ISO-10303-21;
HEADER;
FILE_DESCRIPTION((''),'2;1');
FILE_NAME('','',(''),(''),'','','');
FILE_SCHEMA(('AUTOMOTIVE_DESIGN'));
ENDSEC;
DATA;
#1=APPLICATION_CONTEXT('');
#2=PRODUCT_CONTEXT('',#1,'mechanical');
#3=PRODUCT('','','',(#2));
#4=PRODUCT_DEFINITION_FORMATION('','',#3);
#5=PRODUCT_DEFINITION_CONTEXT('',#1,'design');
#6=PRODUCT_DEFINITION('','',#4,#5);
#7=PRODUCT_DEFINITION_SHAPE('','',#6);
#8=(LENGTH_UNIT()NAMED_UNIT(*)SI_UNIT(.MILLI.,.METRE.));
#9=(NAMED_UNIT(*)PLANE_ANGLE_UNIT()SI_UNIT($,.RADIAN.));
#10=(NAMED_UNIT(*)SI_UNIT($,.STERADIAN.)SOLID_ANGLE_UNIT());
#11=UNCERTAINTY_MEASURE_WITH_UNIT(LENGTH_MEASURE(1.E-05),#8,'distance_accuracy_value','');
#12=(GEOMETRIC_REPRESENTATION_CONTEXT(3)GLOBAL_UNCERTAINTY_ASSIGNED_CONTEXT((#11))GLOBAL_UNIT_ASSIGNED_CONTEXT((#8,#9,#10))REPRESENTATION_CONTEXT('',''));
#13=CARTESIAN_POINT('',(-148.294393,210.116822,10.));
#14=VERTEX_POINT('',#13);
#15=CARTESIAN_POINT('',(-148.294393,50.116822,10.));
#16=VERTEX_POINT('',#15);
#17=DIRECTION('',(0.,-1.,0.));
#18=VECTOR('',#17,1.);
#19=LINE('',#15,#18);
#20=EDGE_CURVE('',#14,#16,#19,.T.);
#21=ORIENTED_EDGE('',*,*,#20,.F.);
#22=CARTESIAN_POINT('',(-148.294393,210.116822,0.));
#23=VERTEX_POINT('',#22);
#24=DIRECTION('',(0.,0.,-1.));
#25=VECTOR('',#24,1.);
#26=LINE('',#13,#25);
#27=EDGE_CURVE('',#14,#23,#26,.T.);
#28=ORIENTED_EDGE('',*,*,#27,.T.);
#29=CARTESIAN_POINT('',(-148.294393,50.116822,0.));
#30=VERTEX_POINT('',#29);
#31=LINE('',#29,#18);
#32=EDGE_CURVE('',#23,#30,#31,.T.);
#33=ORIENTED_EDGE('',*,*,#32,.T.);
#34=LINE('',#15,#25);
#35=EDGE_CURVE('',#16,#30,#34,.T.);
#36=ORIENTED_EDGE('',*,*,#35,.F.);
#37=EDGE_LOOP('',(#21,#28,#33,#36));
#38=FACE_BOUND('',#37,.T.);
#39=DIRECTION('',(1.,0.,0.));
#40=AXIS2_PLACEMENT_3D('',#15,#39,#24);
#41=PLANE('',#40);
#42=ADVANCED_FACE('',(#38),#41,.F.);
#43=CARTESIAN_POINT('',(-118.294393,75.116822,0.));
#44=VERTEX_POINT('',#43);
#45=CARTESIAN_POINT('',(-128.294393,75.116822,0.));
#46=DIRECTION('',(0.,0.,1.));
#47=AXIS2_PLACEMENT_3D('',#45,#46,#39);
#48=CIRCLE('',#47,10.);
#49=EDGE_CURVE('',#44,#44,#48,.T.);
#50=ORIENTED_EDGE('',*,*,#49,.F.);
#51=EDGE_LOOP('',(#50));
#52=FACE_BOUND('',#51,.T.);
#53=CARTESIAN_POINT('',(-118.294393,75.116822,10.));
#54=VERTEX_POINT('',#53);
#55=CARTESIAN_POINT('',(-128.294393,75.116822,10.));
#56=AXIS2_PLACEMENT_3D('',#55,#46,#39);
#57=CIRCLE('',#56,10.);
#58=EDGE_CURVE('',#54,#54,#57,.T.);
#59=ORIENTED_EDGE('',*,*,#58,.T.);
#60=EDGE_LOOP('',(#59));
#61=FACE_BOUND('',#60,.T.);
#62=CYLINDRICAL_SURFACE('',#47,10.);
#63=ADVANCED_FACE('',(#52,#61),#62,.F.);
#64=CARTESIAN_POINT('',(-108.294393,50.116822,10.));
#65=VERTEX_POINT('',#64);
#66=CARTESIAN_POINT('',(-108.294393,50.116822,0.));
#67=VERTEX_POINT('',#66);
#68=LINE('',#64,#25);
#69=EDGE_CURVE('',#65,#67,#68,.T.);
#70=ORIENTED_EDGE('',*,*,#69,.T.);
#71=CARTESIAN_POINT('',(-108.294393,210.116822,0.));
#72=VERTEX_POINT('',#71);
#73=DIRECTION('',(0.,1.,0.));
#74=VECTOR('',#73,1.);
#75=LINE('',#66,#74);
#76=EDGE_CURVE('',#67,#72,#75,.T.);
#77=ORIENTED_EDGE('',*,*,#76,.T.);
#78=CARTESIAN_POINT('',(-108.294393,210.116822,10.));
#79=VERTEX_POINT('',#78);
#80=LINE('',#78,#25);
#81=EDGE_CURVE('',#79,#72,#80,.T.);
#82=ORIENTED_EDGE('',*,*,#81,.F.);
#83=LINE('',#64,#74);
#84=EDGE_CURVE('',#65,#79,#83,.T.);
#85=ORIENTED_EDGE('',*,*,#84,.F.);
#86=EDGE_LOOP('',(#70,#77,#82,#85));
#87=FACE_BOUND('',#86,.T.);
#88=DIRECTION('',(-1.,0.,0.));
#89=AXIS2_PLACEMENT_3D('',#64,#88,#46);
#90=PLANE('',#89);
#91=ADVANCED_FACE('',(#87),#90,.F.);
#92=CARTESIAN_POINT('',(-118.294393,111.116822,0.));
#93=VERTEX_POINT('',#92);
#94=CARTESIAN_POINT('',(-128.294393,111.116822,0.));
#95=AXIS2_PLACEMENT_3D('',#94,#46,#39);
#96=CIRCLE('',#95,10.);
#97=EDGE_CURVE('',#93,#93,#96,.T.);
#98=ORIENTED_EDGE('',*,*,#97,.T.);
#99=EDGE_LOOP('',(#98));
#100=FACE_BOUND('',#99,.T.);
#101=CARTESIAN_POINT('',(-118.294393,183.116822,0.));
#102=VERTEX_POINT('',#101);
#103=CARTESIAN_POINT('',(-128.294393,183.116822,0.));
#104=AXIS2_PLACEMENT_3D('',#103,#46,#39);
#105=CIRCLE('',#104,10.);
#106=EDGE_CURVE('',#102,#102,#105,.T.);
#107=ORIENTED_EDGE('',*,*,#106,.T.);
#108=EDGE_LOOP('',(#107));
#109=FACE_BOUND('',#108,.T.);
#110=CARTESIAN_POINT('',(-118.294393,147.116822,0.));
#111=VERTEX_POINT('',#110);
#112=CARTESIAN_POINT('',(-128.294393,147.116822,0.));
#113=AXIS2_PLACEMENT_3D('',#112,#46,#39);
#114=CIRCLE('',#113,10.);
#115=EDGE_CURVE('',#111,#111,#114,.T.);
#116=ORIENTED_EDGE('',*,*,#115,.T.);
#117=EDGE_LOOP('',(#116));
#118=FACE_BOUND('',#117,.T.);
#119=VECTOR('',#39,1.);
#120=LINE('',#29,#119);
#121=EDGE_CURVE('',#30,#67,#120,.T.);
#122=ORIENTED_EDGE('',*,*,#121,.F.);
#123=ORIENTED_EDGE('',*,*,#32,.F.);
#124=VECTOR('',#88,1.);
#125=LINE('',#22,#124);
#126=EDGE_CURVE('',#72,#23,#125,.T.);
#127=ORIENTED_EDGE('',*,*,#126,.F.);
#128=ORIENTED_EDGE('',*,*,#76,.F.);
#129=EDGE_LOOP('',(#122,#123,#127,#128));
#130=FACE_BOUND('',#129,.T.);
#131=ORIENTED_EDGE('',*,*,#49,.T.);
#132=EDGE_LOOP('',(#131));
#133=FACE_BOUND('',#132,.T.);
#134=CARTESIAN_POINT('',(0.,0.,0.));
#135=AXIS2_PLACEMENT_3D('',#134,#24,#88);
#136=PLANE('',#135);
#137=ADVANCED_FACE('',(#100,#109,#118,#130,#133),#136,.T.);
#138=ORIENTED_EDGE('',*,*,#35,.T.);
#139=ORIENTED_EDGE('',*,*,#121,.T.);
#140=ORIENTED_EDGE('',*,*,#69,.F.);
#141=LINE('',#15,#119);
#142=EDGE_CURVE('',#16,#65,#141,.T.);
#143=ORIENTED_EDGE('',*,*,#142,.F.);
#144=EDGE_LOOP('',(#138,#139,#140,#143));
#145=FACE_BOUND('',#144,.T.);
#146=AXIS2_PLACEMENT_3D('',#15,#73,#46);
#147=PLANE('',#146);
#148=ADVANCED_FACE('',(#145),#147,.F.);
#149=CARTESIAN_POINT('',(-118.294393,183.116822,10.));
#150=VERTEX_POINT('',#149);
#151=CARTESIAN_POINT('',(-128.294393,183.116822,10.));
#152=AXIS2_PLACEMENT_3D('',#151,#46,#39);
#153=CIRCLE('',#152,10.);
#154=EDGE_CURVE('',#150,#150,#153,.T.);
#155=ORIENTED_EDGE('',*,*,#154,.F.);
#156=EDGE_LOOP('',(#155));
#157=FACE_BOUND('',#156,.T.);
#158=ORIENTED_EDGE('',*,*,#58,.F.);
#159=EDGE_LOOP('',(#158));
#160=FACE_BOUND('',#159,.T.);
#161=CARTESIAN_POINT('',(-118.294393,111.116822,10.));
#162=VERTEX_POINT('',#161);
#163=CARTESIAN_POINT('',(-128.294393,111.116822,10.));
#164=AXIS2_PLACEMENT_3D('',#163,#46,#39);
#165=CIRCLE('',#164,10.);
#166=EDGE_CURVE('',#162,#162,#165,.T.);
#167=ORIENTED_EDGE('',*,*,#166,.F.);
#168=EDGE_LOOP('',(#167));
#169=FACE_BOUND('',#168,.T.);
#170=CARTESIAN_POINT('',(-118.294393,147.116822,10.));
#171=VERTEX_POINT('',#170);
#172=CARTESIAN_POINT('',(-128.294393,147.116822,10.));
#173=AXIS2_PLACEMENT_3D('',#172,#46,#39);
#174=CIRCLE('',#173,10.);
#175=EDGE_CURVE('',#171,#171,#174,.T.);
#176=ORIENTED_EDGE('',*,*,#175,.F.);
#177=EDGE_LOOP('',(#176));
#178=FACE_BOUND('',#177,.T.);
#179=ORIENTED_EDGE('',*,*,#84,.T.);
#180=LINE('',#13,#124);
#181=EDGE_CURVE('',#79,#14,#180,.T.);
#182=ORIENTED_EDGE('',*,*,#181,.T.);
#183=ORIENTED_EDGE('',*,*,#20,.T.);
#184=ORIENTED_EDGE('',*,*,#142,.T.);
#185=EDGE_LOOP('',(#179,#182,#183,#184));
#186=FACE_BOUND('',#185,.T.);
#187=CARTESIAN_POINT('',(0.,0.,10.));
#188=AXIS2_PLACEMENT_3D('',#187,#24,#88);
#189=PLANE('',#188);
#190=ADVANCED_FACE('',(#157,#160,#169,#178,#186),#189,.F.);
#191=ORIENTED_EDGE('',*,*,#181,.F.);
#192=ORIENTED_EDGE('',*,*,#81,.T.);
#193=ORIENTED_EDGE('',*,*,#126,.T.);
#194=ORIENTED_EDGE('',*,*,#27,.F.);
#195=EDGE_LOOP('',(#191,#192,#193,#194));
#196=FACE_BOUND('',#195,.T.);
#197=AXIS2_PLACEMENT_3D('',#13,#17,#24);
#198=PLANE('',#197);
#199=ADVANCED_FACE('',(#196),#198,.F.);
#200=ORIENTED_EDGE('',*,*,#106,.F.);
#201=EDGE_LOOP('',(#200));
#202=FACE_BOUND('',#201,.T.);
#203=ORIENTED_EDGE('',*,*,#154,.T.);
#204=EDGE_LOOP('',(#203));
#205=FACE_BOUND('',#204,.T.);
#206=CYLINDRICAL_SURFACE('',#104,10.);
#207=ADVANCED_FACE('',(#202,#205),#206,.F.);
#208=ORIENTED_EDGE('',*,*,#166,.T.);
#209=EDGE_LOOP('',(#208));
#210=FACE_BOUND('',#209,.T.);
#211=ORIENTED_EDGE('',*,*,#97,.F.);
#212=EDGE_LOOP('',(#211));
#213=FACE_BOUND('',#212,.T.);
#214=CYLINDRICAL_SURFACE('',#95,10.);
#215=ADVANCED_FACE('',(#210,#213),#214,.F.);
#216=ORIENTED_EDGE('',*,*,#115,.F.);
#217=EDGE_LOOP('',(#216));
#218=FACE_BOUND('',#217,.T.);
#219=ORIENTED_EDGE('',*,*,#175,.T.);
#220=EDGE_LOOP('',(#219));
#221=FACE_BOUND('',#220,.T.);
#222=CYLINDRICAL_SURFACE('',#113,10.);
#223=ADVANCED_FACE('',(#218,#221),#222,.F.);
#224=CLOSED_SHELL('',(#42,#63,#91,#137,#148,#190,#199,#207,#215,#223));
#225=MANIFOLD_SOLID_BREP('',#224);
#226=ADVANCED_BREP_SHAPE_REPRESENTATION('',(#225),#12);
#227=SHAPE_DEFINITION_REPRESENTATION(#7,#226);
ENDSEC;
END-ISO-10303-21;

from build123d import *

# Parameters (mm, degrees)
SKETCH1_W           = 40
SKETCH1_H           = 160
BOSS_EXTRUDE1_DEPTH = 10
SKETCH2_R           = 10
CUT_EXTRUDE1_DEPTH  = 11
LPATTERN1_COUNT     = 4
LPATTERN1_PITCH     = 36


with BuildPart() as part:
    # Sketch1 → Boss-Extrude1 (new body)
    with BuildSketch(Plane.XY):
        with Locations((-128.294392523, 130.11682243)):
            Rectangle(SKETCH1_W, SKETCH1_H)
    extrude(amount=BOSS_EXTRUDE1_DEPTH)

    # Sketch2 → Cut-Extrude1 (cut, through all)
    with BuildSketch(Plane.XY.offset(10)):
        with Locations((-128.294392523, 75.11682243)):
            Circle(SKETCH2_R)
    cut_extrude1 = extrude(amount=-CUT_EXTRUDE1_DEPTH, mode=Mode.SUBTRACT)

    # LPattern1: Cut-Extrude1 ×4
    with Locations(*[(0, i * LPATTERN1_PITCH, 0) for i in range(1, LPATTERN1_COUNT)]):
        add(cut_extrude1, mode=Mode.SUBTRACT)


solid = part.part
